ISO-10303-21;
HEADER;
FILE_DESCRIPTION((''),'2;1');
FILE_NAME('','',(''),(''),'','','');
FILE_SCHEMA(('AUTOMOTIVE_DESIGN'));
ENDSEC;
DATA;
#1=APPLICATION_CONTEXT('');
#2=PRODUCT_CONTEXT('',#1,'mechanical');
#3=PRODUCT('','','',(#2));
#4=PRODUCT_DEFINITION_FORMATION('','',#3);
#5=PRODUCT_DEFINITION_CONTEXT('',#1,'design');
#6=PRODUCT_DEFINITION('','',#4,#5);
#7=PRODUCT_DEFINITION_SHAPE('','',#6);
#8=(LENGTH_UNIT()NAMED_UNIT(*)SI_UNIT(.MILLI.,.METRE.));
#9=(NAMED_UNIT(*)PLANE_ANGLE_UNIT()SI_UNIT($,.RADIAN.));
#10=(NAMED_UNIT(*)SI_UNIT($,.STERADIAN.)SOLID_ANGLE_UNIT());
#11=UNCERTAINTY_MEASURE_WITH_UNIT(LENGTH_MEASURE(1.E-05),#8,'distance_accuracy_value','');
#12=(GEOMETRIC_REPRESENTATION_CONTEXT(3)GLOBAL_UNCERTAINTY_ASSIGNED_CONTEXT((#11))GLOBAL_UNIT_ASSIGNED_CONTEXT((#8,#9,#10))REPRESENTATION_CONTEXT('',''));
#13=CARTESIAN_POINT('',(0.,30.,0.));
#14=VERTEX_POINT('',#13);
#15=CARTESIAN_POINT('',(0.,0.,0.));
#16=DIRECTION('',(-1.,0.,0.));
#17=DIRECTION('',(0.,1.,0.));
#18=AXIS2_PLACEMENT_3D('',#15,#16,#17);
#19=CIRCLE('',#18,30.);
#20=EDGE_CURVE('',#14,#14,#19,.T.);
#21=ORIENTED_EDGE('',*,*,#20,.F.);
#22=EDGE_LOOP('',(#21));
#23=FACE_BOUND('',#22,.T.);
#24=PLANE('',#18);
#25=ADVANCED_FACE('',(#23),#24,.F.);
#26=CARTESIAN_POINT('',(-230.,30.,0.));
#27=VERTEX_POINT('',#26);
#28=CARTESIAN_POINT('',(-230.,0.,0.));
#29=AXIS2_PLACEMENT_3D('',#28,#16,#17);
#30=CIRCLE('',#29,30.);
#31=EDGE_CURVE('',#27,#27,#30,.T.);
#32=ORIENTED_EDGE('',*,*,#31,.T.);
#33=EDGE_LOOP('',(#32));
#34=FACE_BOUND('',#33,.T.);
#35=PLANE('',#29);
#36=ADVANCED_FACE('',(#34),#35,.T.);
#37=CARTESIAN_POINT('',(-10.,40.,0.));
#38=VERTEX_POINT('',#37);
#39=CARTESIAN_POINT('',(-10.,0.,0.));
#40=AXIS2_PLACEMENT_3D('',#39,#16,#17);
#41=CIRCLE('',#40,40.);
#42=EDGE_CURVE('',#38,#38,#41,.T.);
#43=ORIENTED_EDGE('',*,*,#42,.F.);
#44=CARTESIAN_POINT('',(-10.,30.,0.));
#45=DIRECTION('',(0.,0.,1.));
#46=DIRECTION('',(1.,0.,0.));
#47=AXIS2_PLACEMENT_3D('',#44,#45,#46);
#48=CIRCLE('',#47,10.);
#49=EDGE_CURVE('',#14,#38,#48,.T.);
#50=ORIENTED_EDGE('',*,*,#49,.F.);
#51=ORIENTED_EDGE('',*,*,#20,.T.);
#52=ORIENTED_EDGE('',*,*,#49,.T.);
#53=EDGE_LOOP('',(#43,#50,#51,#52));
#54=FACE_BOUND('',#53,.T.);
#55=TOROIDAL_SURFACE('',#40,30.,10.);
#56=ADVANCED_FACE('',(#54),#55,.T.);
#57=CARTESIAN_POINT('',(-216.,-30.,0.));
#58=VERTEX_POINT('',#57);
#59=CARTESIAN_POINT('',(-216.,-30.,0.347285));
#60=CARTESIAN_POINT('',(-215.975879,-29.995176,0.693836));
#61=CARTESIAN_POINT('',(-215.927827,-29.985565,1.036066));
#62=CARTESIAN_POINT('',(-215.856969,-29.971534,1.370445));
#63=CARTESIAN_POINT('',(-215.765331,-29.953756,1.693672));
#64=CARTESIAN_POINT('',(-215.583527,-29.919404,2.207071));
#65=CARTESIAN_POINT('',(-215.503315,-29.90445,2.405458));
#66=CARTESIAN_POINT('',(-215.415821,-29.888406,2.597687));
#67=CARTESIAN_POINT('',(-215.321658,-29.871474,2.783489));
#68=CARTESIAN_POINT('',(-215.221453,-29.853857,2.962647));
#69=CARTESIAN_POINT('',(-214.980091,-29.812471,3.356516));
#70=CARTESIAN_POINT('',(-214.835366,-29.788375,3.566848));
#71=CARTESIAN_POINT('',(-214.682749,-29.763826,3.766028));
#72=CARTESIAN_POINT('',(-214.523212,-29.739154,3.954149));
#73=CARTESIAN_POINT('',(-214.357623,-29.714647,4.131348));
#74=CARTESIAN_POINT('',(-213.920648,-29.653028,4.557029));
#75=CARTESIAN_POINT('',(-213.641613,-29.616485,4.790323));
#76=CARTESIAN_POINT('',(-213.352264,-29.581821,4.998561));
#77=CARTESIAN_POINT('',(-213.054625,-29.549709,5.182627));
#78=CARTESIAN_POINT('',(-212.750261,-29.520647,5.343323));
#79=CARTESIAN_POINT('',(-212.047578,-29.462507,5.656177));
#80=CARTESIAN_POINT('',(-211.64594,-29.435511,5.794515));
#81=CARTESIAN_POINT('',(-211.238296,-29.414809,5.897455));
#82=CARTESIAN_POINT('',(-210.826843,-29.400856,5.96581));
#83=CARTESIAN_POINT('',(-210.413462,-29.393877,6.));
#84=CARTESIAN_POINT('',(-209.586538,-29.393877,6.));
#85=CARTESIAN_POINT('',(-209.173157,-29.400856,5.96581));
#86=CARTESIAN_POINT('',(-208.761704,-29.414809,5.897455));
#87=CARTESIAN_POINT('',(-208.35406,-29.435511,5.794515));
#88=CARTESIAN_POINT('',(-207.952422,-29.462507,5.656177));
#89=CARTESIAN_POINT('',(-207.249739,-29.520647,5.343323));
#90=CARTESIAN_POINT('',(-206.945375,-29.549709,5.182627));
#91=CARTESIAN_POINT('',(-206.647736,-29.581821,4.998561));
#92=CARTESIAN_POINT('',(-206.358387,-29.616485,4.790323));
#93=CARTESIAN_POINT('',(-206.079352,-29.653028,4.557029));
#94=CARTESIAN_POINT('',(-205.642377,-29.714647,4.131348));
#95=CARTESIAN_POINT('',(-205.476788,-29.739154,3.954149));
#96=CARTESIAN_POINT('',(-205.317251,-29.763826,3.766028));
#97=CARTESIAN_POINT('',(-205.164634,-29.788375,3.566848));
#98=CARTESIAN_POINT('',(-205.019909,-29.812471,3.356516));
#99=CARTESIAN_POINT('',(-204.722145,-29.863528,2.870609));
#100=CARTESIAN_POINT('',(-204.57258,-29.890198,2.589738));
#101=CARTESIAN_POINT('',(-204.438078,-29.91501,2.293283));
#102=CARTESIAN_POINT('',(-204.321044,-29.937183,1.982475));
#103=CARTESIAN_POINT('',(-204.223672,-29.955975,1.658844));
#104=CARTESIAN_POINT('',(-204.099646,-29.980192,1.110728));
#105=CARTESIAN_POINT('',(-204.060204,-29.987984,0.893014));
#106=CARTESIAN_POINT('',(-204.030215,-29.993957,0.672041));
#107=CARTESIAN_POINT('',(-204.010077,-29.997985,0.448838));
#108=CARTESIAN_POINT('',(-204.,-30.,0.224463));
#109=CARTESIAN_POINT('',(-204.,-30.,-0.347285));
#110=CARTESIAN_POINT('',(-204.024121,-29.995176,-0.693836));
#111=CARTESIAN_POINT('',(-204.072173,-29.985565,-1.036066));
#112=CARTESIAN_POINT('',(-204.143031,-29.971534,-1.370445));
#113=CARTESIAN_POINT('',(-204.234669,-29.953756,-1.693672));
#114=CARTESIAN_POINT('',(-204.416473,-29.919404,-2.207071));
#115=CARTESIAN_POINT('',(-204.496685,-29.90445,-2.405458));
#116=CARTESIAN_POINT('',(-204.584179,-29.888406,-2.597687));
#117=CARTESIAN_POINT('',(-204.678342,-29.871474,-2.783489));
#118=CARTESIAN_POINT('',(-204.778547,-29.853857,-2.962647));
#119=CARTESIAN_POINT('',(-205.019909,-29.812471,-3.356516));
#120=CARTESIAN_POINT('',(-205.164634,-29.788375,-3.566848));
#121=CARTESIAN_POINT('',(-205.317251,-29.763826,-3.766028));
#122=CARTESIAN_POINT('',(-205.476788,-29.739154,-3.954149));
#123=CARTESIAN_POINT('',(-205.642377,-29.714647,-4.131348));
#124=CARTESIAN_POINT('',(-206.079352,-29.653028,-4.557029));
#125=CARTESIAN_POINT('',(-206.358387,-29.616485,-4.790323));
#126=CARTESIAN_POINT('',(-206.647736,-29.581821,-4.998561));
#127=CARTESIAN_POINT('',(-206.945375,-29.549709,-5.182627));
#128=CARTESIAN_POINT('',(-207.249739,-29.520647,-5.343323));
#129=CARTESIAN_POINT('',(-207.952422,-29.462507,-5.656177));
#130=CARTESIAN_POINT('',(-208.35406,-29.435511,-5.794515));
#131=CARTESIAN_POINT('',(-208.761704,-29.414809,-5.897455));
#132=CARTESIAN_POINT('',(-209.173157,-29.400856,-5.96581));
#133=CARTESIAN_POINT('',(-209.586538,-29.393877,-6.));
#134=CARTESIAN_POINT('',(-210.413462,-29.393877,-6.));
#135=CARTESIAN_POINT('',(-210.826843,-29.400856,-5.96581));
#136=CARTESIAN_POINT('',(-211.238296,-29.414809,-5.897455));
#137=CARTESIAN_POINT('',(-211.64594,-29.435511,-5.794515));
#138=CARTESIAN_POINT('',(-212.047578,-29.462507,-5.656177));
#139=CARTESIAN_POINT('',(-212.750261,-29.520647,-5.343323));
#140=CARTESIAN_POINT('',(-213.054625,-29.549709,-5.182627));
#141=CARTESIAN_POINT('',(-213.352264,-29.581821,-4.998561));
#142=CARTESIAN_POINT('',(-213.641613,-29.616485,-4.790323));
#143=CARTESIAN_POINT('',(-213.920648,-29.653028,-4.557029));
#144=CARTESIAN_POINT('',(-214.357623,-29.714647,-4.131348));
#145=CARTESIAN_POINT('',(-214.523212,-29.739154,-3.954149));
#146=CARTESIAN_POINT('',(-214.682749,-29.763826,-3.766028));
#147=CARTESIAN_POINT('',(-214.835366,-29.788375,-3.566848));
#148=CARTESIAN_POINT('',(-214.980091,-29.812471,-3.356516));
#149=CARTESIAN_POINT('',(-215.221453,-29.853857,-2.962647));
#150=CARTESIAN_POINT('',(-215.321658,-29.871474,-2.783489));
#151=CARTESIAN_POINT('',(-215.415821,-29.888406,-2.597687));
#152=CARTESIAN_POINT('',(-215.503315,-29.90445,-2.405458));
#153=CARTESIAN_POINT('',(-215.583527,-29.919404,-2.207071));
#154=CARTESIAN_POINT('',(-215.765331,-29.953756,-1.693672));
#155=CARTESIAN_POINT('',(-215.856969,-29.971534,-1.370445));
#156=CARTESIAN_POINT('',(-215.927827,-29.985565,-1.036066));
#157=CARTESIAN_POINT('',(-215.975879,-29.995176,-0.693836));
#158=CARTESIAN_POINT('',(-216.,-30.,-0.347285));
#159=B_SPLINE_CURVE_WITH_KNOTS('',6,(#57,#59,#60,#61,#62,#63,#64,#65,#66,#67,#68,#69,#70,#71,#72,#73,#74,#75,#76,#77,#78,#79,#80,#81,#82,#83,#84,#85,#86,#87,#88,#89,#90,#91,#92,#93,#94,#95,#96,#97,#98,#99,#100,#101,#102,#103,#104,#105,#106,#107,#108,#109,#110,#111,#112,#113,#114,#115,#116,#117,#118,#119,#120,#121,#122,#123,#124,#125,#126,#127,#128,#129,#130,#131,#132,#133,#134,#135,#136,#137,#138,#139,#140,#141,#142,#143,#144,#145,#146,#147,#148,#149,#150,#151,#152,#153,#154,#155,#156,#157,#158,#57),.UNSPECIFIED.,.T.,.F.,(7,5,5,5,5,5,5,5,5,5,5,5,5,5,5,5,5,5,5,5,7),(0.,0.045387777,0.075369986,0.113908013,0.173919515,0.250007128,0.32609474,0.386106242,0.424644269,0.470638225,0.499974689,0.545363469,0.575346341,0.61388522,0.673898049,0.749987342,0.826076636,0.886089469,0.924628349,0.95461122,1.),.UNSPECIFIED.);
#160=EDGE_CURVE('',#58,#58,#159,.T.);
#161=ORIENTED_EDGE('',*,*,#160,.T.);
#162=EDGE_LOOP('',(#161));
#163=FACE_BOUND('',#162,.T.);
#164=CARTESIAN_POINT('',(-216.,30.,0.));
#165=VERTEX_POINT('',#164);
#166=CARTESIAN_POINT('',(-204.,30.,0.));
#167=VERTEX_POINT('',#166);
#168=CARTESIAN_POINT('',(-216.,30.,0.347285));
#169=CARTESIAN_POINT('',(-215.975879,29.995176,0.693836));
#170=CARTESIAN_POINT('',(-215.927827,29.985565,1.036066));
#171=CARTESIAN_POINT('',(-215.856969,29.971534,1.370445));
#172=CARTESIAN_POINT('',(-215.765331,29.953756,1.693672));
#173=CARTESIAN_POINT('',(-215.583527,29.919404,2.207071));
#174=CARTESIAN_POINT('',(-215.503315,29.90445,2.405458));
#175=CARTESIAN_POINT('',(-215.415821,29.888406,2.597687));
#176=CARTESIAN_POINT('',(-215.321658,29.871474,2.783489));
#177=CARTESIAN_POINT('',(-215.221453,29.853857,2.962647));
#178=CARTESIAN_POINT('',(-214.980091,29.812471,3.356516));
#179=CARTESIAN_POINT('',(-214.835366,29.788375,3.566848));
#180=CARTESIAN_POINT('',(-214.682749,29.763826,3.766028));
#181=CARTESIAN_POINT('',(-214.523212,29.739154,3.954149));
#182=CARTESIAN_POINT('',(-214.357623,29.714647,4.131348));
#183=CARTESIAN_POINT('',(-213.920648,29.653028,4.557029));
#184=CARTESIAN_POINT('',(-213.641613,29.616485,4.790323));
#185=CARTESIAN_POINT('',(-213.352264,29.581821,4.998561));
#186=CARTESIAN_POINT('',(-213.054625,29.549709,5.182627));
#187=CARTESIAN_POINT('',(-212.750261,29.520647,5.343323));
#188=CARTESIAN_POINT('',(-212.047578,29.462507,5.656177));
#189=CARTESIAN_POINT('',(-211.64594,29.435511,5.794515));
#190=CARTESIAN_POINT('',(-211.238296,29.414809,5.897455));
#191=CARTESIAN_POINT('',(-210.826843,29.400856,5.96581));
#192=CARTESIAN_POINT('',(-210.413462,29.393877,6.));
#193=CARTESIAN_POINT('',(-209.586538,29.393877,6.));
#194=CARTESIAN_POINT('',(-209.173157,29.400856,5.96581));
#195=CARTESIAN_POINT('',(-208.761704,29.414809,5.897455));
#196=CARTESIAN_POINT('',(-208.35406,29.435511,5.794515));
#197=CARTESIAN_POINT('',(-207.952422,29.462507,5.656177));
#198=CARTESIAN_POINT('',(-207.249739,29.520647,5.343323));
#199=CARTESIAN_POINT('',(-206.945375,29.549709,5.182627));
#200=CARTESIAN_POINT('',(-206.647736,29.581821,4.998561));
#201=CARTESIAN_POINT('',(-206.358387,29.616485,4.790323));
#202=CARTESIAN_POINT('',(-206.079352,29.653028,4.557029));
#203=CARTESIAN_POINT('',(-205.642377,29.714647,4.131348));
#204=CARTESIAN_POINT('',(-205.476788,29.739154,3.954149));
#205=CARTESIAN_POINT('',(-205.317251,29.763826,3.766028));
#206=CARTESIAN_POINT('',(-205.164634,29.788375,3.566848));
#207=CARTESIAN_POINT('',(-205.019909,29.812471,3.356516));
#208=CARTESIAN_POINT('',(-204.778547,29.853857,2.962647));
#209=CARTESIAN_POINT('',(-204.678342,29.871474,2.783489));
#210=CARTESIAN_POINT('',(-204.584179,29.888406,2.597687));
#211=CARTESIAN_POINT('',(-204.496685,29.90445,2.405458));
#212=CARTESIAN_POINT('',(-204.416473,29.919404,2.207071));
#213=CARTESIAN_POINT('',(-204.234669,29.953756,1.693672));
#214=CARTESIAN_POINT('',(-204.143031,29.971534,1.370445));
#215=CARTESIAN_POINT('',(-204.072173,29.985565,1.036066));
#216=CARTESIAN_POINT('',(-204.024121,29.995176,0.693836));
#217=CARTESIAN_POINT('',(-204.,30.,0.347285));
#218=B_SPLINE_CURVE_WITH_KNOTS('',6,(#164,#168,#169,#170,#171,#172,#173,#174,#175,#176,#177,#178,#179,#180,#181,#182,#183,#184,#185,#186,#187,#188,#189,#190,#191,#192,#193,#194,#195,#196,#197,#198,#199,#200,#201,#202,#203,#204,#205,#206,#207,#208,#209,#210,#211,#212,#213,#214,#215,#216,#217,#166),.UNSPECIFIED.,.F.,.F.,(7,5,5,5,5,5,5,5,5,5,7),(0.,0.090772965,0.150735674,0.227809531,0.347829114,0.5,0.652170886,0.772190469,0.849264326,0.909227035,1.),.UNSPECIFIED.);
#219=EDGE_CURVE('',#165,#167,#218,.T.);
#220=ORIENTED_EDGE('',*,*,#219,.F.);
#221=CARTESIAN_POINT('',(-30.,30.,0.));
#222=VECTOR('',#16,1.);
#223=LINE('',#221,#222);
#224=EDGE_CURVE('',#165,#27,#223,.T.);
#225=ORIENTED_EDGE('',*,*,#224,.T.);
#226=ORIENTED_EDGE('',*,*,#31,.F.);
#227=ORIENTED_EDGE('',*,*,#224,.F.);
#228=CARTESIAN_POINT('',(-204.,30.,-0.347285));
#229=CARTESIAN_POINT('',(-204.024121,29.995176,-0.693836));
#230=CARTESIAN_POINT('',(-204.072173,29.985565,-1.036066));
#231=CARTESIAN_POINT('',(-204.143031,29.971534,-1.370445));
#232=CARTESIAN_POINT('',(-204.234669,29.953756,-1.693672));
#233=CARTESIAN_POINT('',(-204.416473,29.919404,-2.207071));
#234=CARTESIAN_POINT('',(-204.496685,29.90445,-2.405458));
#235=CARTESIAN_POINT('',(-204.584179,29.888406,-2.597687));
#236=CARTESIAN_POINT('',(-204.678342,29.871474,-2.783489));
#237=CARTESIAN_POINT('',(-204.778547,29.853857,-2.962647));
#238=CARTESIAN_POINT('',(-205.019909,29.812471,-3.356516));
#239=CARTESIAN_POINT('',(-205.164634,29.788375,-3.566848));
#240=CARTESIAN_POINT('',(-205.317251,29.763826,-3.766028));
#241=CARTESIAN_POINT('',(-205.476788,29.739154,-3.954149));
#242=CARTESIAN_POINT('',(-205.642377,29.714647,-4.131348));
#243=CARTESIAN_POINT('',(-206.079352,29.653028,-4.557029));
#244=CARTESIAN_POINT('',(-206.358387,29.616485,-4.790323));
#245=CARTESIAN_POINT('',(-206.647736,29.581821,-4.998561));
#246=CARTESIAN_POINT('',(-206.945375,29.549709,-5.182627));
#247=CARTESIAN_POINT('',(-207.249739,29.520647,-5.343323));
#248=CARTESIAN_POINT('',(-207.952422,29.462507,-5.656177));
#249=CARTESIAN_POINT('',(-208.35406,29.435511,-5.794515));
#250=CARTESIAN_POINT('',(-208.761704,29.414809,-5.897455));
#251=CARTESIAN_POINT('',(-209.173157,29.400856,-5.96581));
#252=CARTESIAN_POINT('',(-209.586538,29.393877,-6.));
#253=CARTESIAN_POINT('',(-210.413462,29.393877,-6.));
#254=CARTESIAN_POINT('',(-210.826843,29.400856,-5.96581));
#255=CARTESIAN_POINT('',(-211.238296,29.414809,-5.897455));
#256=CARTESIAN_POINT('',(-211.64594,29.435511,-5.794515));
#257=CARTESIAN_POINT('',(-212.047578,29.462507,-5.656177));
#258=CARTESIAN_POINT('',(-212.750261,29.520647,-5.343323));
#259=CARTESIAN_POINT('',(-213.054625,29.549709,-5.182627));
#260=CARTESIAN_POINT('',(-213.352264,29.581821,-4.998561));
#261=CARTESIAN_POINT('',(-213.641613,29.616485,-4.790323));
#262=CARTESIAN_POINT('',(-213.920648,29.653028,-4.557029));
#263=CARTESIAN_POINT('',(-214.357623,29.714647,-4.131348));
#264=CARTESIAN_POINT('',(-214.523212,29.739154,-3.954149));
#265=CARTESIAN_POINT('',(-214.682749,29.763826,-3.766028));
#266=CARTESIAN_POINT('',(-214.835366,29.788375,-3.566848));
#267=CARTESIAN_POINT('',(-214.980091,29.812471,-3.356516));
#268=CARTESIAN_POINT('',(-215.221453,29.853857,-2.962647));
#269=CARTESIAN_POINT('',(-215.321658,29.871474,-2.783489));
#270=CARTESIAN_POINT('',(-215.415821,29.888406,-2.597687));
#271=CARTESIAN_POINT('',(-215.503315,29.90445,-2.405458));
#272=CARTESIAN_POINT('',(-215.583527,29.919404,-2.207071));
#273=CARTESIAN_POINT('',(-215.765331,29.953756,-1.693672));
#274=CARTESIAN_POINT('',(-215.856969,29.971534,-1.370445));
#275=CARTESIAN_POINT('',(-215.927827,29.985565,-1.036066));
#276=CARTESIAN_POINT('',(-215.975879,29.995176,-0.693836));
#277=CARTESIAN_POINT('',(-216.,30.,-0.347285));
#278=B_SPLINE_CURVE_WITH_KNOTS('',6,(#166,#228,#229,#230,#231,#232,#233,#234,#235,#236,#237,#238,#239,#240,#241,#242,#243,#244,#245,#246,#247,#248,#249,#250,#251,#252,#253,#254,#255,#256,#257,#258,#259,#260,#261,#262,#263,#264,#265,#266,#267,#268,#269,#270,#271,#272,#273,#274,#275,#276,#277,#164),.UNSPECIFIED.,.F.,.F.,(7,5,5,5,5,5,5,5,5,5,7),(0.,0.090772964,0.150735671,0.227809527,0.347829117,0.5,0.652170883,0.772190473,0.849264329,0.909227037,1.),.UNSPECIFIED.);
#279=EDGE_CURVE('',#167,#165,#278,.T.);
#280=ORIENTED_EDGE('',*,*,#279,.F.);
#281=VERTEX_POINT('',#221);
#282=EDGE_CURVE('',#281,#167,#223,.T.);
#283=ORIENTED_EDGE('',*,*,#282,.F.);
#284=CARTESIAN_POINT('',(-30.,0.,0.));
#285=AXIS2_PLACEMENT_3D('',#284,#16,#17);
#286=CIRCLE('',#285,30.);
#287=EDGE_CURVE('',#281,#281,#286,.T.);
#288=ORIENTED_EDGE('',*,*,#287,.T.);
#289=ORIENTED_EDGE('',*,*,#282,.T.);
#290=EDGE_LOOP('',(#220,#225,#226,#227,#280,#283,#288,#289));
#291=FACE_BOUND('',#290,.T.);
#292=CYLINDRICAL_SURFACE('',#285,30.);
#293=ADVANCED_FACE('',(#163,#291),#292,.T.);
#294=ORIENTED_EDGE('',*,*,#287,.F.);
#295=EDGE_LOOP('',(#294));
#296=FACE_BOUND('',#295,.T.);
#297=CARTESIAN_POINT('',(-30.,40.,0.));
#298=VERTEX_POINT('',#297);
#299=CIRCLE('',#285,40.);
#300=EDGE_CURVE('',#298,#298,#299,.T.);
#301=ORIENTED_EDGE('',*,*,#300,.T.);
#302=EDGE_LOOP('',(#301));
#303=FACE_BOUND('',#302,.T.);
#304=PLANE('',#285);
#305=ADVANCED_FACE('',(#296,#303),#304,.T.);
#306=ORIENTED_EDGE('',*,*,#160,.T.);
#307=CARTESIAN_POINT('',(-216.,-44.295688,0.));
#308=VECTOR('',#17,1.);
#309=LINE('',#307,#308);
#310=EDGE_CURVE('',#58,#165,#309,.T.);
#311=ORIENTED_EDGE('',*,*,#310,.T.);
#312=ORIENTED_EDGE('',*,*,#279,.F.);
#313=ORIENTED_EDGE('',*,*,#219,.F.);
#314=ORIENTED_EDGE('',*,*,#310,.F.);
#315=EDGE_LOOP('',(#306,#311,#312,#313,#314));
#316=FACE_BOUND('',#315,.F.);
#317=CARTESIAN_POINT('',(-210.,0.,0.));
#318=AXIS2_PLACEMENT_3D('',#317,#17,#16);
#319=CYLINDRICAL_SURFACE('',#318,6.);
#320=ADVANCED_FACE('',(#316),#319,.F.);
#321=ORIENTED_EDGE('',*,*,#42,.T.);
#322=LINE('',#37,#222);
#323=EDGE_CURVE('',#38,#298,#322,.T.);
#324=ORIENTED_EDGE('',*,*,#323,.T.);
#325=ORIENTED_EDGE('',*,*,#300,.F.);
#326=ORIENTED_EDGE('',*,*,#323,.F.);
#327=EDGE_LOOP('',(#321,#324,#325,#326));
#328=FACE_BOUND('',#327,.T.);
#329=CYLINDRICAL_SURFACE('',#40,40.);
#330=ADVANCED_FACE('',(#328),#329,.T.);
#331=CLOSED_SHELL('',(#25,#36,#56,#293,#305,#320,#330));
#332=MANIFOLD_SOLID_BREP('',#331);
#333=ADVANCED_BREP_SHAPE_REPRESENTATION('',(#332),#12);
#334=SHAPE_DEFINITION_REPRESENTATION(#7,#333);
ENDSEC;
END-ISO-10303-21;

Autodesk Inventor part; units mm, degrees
ref_plane "YZ Plane" through (0, 0, 0) normal (1, 0, 0) x (0, 1, 0)
ref_plane "XZ Plane" through (0, 0, 0) normal (0, 1, 0) x (-1, 0, 0)
ref_plane "XY Plane" through (0, 0, 0) normal (0, 0, 1) x (1, 0, 0)
sketch "Эскиз1" plane through (0, 0, 0) normal (0, 0, 1) x (1, 0, 0)
  line L0 (0, 0) -> (-282.435, 0)
  line L1 (0, 0) -> (0, 30)
  line L2 (-10, 40) -> (-30, 40)
  line L3 (-30, 40) -> (-30, 30)
  line L4 (-30, 30) -> (-230, 30)
  line L5 (-230, 30) -> (-230, 0)
  arc A0 (0, 30) -> (-10, 40) centre (-10, 30) ccw
  point P0 (0, 40)
  dimension "d0" = 230
  dimension "d1" = 80
  dimension "d2" = 60
  dimension "d3" = 30
  dimension "d4" = 10
revolve "Вращение1" add sketch "Эскиз1" angle 360 about axis through (0, 0, 0) along (-1, 0, 0)
sketch "Эскиз2" plane through (0, 0, 0) normal (0, 1, 0) x (-1, 0, 0)
  line L0 (230, 30) -> (230, -30) projected
  line L1 (30, 30) -> (30, -30) projected
  circle A0 centre (210, 0) radius 6
  point P0 (0, 0)
  point P1 (230, 0)
  dimension "d6" = 12
  dimension "d7" = 20
extrude "Выдавливание1" cut sketch "Эскиз2" against normal through all both and the other way through all
properties part number "Lift.03.00.00.03"
